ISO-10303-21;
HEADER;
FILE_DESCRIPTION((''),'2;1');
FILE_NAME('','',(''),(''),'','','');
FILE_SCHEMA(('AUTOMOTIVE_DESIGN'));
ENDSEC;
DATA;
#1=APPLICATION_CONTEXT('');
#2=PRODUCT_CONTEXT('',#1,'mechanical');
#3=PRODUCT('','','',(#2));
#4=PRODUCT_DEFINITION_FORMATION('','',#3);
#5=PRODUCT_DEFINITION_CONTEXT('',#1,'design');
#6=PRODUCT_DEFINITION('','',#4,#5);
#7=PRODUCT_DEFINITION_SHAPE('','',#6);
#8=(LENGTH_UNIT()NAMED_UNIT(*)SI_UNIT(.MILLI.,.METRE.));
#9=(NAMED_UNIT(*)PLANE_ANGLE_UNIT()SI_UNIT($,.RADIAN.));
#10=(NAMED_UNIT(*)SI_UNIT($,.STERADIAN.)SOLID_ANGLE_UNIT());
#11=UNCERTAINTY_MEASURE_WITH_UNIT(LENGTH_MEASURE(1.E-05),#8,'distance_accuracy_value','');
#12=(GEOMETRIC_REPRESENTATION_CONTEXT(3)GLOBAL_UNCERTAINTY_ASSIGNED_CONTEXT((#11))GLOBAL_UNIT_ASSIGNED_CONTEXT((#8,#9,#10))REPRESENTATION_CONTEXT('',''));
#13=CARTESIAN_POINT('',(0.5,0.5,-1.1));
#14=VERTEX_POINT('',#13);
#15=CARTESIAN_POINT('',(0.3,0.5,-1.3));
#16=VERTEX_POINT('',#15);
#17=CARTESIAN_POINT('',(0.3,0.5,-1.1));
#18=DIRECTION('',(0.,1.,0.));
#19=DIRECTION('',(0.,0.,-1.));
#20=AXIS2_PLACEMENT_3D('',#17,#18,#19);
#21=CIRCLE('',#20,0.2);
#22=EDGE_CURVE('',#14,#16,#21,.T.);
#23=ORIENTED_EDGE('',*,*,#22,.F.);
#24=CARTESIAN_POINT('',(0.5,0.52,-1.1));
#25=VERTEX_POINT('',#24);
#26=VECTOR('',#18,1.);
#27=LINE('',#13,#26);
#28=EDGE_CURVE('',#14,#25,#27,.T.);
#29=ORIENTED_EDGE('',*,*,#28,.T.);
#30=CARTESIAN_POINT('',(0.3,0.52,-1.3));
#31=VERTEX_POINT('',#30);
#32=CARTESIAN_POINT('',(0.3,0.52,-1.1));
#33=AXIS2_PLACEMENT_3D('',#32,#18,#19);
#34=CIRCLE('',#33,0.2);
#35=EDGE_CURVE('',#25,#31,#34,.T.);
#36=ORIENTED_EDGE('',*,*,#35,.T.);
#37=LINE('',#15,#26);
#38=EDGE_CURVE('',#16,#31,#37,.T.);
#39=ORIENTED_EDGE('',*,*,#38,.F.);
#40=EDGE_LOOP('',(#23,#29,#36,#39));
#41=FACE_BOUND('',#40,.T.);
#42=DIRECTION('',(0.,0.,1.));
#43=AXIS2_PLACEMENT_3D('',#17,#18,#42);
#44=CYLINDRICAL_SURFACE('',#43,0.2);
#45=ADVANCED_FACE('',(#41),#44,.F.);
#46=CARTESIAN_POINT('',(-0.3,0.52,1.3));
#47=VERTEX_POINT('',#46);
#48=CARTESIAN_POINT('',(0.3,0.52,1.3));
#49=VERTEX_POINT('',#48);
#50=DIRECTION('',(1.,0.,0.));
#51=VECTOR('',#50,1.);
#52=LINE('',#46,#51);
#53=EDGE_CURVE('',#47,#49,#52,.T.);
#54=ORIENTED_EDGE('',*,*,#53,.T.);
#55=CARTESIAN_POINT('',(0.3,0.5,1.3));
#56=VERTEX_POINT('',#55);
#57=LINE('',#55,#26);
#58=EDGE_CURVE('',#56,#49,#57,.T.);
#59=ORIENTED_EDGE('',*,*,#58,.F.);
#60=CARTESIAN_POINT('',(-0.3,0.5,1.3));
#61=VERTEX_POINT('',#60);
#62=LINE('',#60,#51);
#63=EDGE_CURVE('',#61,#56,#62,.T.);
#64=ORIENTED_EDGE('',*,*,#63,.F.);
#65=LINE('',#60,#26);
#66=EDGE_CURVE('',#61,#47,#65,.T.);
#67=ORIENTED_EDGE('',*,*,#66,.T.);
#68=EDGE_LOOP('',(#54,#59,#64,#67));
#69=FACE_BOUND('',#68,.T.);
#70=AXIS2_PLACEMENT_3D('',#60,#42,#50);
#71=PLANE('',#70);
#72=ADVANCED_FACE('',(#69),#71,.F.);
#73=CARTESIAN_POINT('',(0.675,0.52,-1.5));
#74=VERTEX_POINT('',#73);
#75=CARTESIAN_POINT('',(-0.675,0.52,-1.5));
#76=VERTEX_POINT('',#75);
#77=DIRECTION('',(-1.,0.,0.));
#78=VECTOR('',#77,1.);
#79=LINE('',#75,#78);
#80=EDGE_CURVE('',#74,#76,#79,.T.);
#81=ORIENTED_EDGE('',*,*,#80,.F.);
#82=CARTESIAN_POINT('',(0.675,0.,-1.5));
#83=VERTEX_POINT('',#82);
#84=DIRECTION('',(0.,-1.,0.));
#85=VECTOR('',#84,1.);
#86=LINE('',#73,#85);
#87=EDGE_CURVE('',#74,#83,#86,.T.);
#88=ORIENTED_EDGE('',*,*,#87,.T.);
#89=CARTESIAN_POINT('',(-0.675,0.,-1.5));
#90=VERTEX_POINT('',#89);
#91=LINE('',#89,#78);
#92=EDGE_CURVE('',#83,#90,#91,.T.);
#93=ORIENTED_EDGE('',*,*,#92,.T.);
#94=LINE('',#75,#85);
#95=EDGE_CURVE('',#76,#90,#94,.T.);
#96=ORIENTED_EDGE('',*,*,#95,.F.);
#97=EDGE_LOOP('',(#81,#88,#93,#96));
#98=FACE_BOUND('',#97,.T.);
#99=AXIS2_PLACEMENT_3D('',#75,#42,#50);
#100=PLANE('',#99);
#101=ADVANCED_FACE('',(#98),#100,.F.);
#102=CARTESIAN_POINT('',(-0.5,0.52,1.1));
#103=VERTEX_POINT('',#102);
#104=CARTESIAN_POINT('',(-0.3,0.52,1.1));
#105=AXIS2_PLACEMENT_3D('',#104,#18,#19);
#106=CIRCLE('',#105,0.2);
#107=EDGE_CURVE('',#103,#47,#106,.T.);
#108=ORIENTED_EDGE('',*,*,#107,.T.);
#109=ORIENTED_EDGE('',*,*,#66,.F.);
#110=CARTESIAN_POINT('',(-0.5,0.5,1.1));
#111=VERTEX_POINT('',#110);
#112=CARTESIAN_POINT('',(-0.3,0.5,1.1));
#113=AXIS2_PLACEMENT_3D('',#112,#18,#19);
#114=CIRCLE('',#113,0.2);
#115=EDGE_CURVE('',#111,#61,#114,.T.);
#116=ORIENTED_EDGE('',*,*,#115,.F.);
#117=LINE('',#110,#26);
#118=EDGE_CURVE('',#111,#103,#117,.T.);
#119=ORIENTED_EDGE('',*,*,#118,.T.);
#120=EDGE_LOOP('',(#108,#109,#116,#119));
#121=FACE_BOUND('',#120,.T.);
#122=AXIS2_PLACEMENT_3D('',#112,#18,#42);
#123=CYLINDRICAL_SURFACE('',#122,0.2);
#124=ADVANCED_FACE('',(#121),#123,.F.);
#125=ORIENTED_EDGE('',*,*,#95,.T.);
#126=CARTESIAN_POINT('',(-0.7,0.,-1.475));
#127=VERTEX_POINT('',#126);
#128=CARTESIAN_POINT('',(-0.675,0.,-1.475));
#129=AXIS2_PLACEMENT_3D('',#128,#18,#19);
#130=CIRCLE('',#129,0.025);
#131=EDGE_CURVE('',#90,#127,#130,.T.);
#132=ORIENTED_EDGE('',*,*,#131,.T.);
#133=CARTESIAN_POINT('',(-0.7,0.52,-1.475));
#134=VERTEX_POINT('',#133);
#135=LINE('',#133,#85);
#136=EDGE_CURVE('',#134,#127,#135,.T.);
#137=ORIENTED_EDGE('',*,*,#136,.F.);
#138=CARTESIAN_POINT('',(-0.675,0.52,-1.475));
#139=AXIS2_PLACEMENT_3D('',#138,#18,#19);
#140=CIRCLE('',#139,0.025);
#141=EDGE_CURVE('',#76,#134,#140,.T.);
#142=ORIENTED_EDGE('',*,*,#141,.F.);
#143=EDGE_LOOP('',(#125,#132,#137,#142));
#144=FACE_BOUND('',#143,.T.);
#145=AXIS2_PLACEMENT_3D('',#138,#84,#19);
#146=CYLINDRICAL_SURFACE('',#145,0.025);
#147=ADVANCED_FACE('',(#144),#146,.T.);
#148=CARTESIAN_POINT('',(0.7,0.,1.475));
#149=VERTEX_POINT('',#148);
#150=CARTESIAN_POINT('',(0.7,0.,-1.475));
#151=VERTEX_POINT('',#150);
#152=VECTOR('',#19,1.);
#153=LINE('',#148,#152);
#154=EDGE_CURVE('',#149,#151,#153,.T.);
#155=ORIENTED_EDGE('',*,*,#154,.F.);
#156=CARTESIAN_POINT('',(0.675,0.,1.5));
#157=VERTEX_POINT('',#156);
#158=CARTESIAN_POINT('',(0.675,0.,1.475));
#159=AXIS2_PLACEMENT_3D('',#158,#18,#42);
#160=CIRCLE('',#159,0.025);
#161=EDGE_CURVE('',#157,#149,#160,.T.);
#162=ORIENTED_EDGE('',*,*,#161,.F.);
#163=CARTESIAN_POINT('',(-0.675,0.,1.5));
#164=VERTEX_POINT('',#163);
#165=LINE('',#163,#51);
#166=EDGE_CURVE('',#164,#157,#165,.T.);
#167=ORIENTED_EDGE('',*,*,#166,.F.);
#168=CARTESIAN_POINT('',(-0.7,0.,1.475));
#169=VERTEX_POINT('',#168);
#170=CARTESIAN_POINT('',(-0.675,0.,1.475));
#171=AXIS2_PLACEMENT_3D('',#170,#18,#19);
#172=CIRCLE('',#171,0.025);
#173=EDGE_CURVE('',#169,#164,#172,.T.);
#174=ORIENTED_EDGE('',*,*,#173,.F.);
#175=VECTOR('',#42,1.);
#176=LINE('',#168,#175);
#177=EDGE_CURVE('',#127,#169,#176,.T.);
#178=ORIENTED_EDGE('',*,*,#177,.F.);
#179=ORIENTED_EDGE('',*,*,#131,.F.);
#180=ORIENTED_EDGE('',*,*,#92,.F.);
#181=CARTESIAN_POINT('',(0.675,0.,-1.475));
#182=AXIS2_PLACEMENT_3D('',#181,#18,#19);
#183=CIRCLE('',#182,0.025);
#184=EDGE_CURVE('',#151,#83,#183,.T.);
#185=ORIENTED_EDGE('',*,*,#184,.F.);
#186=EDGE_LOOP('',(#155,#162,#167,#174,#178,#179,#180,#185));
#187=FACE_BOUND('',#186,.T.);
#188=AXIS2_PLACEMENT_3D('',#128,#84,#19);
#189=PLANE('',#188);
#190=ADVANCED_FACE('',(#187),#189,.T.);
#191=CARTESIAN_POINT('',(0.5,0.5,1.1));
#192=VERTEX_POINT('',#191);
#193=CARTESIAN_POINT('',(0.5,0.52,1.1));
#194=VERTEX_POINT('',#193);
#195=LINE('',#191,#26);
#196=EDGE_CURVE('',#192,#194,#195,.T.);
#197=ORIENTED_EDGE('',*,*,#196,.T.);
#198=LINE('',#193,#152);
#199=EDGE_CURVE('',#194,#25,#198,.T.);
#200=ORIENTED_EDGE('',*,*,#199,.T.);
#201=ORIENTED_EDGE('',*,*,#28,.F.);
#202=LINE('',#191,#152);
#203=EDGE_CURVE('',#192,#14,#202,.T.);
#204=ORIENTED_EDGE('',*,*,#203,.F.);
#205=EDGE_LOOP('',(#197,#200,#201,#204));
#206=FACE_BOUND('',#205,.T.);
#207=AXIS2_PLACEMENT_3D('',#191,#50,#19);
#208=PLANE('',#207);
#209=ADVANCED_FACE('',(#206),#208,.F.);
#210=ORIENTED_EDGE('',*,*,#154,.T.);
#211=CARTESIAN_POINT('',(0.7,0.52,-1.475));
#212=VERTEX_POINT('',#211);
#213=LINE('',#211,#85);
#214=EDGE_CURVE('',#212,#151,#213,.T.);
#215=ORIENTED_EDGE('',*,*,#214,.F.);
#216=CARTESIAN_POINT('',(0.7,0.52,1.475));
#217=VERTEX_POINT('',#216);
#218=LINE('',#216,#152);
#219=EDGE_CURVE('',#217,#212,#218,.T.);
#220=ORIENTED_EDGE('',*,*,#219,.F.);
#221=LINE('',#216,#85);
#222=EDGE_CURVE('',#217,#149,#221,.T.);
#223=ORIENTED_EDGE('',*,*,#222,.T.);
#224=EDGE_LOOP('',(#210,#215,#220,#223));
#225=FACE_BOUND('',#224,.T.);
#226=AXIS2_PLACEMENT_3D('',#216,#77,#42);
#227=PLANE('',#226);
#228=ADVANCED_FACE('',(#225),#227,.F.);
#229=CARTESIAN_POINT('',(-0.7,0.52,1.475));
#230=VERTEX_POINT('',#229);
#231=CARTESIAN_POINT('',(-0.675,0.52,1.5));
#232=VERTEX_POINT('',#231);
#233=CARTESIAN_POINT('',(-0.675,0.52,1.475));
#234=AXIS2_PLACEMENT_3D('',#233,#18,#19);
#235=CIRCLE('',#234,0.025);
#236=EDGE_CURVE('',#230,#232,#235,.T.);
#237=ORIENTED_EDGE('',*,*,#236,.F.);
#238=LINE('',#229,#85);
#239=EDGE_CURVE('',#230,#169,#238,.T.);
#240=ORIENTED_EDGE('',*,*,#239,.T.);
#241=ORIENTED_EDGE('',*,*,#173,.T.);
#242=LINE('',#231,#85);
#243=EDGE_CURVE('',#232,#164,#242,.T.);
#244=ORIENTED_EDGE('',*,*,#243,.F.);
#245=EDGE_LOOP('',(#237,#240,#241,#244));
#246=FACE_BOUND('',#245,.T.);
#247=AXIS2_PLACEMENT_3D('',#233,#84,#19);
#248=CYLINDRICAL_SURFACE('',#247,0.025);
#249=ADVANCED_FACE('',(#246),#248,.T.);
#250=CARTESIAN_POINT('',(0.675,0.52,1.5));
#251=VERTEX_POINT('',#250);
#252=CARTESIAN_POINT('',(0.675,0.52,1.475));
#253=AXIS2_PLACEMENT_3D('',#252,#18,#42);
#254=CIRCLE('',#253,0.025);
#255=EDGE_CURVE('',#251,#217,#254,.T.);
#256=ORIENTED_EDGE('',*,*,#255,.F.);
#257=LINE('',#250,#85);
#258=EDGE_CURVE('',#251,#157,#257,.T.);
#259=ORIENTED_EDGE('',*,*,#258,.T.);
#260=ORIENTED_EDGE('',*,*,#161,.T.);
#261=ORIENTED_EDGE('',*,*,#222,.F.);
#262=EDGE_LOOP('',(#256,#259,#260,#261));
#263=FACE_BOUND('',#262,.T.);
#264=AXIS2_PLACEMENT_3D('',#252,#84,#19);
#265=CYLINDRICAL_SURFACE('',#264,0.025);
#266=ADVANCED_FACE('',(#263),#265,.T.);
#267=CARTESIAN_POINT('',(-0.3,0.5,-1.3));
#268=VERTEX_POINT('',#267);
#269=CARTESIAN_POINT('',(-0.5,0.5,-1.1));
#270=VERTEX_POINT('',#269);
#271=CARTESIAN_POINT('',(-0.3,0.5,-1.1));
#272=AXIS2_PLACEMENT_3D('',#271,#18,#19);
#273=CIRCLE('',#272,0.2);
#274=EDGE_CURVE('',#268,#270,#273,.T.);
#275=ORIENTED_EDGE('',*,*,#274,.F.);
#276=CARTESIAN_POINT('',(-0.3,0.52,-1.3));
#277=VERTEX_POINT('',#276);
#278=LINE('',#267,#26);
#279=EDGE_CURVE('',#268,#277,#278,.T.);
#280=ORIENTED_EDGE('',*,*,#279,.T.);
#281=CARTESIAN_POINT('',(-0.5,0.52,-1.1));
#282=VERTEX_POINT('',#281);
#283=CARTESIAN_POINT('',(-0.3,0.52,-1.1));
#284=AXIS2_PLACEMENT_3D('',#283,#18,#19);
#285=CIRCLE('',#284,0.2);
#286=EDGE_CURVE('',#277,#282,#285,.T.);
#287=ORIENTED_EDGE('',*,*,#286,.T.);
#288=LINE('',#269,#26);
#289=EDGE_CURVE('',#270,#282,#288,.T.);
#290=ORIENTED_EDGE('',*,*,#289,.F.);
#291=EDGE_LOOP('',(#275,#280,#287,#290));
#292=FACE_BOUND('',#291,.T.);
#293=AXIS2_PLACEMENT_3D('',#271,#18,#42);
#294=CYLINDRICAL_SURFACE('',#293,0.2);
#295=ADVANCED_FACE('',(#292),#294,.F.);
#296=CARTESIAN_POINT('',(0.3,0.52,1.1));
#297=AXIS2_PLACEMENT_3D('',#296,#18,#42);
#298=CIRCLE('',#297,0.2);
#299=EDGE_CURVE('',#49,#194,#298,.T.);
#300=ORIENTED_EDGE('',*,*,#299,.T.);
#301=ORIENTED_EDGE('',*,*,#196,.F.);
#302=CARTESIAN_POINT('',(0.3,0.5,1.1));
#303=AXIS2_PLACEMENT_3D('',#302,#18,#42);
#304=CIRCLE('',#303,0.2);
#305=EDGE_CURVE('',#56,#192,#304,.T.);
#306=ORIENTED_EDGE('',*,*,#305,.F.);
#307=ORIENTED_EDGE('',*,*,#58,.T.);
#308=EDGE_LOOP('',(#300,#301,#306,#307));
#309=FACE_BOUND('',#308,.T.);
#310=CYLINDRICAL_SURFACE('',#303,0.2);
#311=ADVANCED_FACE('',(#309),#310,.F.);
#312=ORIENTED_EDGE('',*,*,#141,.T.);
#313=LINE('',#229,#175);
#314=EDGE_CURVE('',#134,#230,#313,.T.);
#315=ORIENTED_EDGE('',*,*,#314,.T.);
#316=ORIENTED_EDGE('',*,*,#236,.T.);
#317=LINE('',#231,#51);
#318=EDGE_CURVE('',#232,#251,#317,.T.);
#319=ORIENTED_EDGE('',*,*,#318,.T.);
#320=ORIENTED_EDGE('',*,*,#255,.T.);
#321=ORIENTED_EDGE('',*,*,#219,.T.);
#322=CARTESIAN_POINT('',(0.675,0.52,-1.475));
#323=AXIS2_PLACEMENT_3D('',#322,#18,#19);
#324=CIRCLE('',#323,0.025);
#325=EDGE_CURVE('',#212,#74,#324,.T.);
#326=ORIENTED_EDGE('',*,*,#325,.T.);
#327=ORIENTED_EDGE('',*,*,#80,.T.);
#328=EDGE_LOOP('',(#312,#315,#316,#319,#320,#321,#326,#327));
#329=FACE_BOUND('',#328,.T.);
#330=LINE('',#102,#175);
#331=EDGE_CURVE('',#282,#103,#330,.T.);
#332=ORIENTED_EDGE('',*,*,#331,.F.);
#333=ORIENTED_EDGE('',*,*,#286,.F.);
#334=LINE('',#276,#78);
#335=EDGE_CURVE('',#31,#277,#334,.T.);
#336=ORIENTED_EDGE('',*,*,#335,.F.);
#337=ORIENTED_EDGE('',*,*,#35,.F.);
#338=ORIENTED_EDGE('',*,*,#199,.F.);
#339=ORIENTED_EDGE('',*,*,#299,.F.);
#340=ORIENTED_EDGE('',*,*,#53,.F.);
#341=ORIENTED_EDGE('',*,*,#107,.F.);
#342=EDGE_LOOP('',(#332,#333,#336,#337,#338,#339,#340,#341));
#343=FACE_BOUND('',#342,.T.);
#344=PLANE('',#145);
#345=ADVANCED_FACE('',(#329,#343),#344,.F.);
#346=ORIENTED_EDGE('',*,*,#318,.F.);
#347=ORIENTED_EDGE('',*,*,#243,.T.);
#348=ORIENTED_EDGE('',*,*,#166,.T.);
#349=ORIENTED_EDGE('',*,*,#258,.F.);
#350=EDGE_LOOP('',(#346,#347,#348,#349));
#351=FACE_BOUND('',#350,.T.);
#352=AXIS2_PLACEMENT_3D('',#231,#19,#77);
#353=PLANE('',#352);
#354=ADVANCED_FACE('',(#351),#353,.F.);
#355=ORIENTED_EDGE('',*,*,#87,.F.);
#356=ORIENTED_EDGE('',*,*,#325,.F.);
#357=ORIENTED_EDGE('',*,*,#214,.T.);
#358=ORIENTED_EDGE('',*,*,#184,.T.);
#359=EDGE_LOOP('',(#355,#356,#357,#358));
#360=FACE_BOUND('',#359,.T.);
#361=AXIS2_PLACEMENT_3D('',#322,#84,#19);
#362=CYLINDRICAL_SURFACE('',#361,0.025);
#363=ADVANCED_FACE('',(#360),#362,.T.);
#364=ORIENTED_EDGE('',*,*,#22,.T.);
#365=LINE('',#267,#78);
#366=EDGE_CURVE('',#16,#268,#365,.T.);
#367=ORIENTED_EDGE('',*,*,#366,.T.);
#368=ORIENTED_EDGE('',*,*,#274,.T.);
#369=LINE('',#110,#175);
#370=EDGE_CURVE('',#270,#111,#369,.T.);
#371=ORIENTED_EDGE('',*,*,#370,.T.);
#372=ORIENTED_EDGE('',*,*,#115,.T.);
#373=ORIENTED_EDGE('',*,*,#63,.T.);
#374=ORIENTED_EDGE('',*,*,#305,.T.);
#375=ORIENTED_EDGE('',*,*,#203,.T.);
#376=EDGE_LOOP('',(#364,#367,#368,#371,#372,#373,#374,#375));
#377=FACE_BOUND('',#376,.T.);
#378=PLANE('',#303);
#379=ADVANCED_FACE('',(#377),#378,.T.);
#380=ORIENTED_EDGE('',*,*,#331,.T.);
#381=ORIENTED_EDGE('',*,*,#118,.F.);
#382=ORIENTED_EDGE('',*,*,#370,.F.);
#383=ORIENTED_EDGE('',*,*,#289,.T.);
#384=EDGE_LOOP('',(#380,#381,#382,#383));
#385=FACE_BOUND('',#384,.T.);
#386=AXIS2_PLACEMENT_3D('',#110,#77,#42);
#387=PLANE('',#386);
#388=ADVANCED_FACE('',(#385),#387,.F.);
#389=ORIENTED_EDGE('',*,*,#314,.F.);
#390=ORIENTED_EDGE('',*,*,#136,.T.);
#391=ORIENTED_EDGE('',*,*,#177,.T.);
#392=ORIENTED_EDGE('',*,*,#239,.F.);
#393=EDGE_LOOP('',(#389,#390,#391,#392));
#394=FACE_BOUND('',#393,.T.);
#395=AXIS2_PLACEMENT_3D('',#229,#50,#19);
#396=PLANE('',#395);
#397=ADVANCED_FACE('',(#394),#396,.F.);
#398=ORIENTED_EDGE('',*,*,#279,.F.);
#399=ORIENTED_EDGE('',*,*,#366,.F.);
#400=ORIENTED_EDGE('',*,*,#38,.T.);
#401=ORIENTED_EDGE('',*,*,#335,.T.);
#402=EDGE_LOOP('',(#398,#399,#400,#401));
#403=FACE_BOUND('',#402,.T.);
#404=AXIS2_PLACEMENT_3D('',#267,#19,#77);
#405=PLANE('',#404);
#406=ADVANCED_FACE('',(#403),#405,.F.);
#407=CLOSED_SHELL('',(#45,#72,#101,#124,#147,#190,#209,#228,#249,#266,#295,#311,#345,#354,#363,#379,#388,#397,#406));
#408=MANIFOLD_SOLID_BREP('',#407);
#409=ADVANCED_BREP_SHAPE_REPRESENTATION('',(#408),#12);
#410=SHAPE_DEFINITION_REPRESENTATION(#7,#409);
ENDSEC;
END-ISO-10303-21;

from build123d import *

# Parameters (mm, degrees)
BOSS_EXTRUDE1_DEPTH = 0.52
CUT_EXTRUDE1_DEPTH  = 0.02


with BuildPart() as part:
    # Sketch1 → Boss-Extrude1 (new body)
    with BuildSketch(Plane(origin=(0, 0, 0), x_dir=(1, 0, 0), z_dir=(0, 1, 0))):
        with BuildLine():
            Line((-0.675, -1.5), (0.675, -1.5))
            ThreePointArc((0.675, -1.5), (0.69267767, -1.49267767), (0.7, -1.475))
            Line((0.7, -1.475), (0.7, 1.475))
            ThreePointArc((0.7, 1.475), (0.69267767, 1.49267767), (0.675, 1.5))
            Line((0.675, 1.5), (-0.675, 1.5))
            ThreePointArc((-0.675, 1.5), (-0.69267767, 1.49267767), (-0.7, 1.475))
            Line((-0.7, 1.475), (-0.7, -1.475))
            ThreePointArc((-0.7, -1.475), (-0.69267767, -1.49267767), (-0.675, -1.5))
        make_face()
    extrude(amount=BOSS_EXTRUDE1_DEPTH)

    # Sketch2 → Cut-Extrude1 (cut)
    with BuildSketch(Plane(origin=(0, 0.52, 0), x_dir=(1, 0, 0), z_dir=(0, 1, 0))):
        with BuildLine():
            Line((-0.3, -1.3), (0.3, -1.3))
            ThreePointArc((0.3, -1.3), (0.441421356, -1.241421356), (0.5, -1.1))
            Line((0.5, -1.1), (0.5, 1.1))
            ThreePointArc((0.5, 1.1), (0.441421356, 1.241421356), (0.3, 1.3))
            Line((0.3, 1.3), (-0.3, 1.3))
            ThreePointArc((-0.3, 1.3), (-0.441421356, 1.241421356), (-0.5, 1.1))
            Line((-0.5, 1.1), (-0.5, -1.1))
            ThreePointArc((-0.5, -1.1), (-0.441421356, -1.241421356), (-0.3, -1.3))
        make_face()
    extrude(amount=-CUT_EXTRUDE1_DEPTH, mode=Mode.SUBTRACT)


solid = part.part
